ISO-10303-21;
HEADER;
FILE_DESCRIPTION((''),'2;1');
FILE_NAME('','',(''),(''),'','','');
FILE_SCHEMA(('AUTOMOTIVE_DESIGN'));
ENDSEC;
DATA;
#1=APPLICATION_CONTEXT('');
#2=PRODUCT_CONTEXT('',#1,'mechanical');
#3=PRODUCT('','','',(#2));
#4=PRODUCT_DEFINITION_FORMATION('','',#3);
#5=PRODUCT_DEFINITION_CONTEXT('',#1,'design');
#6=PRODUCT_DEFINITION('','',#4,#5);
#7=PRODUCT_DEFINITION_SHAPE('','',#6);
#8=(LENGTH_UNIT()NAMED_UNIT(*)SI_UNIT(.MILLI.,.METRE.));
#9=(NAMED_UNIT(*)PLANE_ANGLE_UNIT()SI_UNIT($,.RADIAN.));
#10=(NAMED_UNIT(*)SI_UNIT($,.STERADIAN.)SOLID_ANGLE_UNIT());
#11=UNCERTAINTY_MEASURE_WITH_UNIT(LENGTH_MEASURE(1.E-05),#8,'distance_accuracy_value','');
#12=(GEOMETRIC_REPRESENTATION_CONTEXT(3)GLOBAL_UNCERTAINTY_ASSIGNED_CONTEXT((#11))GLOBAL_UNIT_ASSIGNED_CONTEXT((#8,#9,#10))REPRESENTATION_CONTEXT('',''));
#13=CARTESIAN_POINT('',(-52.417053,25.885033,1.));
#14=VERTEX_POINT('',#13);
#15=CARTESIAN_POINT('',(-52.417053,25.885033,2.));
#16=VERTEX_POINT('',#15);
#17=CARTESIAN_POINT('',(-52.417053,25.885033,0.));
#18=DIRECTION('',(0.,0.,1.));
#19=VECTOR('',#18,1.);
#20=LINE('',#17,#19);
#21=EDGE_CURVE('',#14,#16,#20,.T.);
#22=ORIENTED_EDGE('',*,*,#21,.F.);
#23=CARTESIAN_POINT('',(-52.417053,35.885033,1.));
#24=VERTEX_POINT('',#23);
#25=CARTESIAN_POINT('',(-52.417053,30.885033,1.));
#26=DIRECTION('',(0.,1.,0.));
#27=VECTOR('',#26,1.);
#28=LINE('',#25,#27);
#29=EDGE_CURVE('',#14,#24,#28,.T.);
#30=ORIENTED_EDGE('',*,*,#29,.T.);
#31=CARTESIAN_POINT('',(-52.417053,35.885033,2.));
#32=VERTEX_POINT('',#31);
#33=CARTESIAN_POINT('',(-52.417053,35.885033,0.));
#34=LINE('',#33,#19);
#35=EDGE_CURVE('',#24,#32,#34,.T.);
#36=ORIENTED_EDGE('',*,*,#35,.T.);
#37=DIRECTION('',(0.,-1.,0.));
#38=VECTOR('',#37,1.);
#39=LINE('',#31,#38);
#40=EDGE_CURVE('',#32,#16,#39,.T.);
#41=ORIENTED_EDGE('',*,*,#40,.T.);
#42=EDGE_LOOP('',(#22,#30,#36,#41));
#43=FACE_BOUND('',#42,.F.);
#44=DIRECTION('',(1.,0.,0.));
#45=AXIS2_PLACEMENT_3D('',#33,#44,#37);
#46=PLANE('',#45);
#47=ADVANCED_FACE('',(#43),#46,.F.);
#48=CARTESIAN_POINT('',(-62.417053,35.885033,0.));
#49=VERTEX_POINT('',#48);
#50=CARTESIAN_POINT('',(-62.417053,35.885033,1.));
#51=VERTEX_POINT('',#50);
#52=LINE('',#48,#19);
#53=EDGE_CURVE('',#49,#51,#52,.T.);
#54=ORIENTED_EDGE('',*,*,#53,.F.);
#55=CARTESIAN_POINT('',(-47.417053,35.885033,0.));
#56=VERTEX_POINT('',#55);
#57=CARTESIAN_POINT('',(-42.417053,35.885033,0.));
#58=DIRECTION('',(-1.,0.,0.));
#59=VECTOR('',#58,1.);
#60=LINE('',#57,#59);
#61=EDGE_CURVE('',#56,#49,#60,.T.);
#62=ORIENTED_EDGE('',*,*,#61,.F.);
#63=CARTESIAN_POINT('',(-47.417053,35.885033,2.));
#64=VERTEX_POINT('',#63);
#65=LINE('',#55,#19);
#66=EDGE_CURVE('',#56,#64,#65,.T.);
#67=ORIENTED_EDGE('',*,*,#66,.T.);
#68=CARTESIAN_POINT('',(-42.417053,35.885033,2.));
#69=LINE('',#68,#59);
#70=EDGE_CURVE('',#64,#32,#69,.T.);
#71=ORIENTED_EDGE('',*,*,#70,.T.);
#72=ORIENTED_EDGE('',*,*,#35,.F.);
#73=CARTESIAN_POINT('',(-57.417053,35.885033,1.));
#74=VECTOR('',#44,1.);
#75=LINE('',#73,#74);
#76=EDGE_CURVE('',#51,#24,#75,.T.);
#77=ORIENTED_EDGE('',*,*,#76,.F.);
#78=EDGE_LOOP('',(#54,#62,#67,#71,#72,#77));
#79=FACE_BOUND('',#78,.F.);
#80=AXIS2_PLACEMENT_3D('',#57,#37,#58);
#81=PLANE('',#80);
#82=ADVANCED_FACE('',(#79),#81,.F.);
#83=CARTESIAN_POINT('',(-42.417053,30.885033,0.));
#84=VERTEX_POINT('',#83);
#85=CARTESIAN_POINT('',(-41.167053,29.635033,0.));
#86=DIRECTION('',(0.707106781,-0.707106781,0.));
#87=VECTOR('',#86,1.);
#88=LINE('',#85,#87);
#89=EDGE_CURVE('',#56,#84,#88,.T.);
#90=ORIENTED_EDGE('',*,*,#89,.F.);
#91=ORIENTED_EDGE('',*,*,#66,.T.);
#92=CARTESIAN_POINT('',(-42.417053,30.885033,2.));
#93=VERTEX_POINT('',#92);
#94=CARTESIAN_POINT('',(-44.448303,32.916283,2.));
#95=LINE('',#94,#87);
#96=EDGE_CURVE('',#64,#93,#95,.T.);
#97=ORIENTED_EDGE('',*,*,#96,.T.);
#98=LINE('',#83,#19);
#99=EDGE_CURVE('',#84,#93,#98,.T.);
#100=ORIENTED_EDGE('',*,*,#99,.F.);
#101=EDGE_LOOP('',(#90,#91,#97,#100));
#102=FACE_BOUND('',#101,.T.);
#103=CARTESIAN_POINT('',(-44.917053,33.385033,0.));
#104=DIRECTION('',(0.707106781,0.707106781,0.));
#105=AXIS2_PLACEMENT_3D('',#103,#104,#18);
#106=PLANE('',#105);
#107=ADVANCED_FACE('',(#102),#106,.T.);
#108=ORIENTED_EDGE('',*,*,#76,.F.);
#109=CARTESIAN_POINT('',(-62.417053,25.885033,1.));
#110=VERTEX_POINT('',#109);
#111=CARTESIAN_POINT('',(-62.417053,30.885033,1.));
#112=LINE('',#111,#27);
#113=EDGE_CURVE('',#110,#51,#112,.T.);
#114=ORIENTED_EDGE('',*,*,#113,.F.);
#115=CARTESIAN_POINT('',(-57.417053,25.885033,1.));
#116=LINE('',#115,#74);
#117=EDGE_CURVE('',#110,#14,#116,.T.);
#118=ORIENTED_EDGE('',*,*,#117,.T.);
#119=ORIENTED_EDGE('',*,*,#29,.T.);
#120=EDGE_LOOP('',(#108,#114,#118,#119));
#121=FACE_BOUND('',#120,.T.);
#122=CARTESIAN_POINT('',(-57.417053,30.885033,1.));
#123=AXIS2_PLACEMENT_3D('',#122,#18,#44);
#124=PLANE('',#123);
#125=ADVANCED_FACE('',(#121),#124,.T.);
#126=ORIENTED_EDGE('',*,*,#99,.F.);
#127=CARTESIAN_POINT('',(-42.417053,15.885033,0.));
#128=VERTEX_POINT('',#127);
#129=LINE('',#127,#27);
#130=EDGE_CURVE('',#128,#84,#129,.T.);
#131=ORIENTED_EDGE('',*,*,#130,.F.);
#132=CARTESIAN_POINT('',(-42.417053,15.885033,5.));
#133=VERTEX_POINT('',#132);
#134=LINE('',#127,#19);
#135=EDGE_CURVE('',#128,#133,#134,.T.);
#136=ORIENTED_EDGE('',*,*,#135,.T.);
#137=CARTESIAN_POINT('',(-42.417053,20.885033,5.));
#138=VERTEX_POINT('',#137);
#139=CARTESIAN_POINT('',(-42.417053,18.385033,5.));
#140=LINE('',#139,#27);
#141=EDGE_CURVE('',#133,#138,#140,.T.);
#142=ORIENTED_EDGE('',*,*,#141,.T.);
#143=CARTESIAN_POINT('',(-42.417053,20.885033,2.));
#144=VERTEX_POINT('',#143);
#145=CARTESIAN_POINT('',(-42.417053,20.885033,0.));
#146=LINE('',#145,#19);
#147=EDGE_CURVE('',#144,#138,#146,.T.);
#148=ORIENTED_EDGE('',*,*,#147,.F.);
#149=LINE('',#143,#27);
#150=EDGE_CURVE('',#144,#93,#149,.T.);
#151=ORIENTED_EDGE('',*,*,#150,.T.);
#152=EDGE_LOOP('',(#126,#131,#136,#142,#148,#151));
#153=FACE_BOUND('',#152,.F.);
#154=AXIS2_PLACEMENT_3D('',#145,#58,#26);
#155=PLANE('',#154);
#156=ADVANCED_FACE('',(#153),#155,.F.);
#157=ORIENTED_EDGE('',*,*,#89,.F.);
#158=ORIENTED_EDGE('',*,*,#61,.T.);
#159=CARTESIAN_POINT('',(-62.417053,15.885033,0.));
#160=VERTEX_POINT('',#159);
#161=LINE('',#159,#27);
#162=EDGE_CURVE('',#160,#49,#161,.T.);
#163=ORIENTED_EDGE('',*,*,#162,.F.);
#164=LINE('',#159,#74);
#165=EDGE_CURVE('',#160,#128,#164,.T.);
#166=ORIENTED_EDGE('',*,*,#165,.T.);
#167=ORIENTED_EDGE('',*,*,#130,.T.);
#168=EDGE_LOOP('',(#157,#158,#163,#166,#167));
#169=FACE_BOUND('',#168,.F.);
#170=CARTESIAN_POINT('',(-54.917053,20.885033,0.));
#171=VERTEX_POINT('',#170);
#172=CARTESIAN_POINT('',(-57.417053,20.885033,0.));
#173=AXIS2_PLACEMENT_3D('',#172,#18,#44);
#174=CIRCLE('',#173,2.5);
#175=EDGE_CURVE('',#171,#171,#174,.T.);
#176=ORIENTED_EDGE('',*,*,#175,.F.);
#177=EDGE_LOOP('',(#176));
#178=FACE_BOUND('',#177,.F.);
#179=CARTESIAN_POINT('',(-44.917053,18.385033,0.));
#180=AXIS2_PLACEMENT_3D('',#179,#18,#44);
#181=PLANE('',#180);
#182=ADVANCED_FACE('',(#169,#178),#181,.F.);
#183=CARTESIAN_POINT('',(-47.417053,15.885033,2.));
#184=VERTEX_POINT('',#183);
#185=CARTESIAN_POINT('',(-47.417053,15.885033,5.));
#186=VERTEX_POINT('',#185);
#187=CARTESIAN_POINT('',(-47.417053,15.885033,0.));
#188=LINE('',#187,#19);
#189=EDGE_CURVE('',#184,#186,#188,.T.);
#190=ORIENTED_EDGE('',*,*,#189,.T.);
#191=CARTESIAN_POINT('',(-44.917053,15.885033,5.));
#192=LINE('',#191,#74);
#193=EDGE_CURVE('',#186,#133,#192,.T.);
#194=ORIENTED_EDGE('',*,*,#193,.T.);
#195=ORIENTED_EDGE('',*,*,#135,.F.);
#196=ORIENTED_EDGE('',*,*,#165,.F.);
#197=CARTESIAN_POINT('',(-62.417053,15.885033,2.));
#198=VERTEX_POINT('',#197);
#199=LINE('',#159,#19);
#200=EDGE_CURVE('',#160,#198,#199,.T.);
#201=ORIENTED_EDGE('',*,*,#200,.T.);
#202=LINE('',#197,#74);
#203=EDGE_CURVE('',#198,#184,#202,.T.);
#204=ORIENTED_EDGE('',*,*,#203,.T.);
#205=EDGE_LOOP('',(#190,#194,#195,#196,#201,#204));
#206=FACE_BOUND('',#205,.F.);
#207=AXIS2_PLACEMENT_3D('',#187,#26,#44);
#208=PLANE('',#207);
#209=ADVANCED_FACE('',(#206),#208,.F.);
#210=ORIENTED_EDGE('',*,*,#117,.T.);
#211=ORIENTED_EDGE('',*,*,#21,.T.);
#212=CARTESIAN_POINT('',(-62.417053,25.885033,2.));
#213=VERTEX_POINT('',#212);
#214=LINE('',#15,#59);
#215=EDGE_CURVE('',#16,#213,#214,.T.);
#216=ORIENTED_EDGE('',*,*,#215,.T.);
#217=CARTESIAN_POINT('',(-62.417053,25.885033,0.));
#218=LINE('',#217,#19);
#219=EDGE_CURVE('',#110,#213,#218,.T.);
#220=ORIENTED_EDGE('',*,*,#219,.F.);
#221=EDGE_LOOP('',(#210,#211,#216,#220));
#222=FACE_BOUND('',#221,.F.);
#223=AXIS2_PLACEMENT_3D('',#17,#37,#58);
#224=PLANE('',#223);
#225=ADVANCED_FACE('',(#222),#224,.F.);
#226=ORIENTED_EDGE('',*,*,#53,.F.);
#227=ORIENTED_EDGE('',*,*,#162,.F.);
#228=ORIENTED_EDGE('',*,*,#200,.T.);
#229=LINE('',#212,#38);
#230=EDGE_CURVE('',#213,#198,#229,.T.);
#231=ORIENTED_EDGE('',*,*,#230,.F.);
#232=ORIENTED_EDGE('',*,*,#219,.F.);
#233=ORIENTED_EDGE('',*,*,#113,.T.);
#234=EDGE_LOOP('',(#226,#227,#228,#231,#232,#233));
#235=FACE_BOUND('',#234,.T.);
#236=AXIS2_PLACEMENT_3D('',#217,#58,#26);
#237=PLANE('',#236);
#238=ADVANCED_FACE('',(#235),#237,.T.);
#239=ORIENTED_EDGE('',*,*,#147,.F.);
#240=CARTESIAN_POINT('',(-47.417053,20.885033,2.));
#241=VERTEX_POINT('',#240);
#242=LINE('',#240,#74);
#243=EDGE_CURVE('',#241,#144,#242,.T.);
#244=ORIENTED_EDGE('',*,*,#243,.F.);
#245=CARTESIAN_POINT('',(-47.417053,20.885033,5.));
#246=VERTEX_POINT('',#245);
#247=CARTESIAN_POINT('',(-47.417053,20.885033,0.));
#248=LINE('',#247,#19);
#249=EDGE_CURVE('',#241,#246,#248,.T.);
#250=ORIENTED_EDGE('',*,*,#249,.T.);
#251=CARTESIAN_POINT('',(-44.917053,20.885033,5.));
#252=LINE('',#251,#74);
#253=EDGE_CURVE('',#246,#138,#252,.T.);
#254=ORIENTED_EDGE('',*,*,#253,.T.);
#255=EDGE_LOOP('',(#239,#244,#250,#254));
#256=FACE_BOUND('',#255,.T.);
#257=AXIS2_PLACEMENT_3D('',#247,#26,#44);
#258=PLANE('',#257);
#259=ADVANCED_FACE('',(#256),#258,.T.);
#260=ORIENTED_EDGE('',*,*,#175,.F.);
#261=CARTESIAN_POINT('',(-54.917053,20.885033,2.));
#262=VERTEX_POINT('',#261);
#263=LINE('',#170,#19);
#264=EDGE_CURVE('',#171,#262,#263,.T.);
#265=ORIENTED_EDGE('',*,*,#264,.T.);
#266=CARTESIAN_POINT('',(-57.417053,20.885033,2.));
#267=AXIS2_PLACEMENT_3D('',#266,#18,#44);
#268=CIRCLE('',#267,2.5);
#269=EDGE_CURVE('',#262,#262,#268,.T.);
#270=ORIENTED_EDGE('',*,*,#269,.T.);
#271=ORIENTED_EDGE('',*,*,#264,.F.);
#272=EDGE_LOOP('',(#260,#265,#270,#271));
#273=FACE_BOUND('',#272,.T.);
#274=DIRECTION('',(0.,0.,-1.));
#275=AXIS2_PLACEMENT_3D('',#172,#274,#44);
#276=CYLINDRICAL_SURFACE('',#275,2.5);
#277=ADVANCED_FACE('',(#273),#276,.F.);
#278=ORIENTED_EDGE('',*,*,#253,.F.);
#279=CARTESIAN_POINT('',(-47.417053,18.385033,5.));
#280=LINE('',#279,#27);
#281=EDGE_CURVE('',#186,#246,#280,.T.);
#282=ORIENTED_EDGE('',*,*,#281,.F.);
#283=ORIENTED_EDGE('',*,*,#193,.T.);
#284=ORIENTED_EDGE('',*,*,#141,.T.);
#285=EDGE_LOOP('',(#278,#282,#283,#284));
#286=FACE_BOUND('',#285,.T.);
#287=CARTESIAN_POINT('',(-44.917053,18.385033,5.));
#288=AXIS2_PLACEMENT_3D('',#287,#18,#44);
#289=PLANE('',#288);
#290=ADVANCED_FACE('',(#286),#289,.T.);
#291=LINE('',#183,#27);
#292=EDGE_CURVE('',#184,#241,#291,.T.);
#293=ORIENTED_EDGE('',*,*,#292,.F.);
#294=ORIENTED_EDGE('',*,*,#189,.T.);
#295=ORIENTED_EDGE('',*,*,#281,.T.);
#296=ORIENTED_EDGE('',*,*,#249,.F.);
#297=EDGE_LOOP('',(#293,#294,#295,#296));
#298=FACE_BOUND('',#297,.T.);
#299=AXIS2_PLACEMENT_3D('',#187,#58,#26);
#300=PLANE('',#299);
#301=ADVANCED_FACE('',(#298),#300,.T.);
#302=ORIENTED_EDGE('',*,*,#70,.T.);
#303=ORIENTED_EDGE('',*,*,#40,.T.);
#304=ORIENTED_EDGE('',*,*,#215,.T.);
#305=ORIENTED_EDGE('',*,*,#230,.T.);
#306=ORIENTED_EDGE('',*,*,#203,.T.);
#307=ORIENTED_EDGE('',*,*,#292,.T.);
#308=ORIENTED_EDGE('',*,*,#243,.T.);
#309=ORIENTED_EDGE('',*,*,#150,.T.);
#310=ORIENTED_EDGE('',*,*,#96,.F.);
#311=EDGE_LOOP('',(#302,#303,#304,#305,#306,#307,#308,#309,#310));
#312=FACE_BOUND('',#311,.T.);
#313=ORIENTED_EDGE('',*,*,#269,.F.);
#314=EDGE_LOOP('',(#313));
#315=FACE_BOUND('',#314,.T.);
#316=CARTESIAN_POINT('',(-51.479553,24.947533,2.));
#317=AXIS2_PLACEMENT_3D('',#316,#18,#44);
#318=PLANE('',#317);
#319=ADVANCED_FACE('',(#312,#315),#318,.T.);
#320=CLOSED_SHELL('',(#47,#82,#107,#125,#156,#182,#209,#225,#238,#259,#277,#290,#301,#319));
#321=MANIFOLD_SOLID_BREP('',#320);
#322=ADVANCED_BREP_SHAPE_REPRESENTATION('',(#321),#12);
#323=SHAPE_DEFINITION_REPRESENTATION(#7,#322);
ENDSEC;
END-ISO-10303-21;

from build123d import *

# Parameters (mm, degrees)
F0_W     = 10
F0_H     = 10
F1_DEPTH = 1
F0_R     = 2.5
F2_DEPTH = 2
F0_W_2   = 5
F0_H_2   = 5
F3_DEPTH = 5
F4_SIZE  = 5


with BuildPart() as f1:
    # F0 (on Top) → F1 (new body)
    with BuildSketch(Plane.XY):
        with Locations((-57.417053, 30.885033)):
            Rectangle(F0_W, F0_H)
    extrude(amount=F1_DEPTH)

    # F0 (on Top) → F2 (join)
    with BuildSketch(Plane.XY):
        Polygon((-42.417053, 35.885033), (-52.417053, 35.885033), (-52.417053, 25.885033), (-62.417053, 25.885033), (-62.417053, 15.885033), (-47.417053, 15.885033), (-47.417053, 20.885033), (-42.417053, 20.885033), align=None)
        with Locations((-57.417053, 20.885033)):
            Circle(F0_R, mode=Mode.SUBTRACT)
    extrude(amount=F2_DEPTH)

    # F0 (on Top) → F3 (join)
    with BuildSketch(Plane.XY):
        with Locations((-44.917053, 18.385033)):
            Rectangle(F0_W_2, F0_H_2)
    extrude(amount=F3_DEPTH)

    # F4
    f4_edges = [f1.edges().sort_by_distance(p)[0] for p in [
        (-42.417053, 35.885033, 1),
    ]]
    chamfer(f4_edges, length=F4_SIZE)


solid = f1.part
